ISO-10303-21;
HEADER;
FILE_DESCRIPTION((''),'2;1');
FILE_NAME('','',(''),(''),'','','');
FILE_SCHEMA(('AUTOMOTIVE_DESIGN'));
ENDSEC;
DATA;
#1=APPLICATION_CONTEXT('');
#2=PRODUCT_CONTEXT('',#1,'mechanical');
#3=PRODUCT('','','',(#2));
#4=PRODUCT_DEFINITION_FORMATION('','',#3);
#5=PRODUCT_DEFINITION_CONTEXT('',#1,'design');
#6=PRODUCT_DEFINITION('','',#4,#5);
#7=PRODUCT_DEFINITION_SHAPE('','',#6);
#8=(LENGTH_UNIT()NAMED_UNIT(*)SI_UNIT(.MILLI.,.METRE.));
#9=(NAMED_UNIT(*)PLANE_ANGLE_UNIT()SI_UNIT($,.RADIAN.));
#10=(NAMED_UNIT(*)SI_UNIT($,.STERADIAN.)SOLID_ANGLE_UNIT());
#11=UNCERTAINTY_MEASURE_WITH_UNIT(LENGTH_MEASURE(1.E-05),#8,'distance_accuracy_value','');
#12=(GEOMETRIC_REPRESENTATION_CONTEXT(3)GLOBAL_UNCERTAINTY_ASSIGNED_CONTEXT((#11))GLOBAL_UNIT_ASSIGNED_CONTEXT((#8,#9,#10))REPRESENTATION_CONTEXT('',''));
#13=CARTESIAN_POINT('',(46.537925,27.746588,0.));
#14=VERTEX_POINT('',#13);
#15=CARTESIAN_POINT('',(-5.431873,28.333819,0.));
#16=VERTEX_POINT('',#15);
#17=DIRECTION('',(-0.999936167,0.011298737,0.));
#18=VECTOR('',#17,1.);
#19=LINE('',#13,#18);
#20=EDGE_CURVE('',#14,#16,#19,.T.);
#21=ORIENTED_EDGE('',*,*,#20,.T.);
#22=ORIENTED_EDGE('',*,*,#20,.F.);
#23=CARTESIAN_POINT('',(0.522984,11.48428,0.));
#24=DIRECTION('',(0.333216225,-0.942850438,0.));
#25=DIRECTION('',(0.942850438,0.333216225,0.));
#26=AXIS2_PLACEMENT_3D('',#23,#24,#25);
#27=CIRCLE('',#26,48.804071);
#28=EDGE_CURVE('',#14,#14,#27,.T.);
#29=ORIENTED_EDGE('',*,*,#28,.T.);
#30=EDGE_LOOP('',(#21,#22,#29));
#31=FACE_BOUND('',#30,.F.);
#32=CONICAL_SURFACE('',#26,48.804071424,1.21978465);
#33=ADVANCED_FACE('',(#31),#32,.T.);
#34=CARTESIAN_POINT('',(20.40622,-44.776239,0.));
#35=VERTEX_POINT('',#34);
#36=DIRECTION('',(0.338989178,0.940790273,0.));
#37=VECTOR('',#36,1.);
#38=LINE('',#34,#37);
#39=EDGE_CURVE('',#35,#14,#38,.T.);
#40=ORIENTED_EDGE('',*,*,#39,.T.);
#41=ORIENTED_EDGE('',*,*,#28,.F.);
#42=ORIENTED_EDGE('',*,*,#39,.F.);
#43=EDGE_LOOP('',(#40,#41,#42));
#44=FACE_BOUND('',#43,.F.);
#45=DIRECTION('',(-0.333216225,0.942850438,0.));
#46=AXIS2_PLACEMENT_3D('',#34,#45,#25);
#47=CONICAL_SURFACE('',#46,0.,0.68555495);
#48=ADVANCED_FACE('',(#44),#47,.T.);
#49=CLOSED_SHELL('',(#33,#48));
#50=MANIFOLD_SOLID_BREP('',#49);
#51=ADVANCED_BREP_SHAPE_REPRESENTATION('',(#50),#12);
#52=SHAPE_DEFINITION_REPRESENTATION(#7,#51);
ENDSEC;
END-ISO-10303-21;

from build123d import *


with BuildPart() as f1:
    # F0 (on Top) → F1 (revolve)
    with BuildSketch(Plane.XY):
        Polygon((46.5379245579, 27.7465879917), (-5.4318727925, 28.33381854), (20.4062201083, -44.7762385011), align=None)
    revolve(axis=Axis((7.4871736579, -8.2212099805, 0), (0.3332162247, -0.9428504375, 0)))


solid = f1.part
